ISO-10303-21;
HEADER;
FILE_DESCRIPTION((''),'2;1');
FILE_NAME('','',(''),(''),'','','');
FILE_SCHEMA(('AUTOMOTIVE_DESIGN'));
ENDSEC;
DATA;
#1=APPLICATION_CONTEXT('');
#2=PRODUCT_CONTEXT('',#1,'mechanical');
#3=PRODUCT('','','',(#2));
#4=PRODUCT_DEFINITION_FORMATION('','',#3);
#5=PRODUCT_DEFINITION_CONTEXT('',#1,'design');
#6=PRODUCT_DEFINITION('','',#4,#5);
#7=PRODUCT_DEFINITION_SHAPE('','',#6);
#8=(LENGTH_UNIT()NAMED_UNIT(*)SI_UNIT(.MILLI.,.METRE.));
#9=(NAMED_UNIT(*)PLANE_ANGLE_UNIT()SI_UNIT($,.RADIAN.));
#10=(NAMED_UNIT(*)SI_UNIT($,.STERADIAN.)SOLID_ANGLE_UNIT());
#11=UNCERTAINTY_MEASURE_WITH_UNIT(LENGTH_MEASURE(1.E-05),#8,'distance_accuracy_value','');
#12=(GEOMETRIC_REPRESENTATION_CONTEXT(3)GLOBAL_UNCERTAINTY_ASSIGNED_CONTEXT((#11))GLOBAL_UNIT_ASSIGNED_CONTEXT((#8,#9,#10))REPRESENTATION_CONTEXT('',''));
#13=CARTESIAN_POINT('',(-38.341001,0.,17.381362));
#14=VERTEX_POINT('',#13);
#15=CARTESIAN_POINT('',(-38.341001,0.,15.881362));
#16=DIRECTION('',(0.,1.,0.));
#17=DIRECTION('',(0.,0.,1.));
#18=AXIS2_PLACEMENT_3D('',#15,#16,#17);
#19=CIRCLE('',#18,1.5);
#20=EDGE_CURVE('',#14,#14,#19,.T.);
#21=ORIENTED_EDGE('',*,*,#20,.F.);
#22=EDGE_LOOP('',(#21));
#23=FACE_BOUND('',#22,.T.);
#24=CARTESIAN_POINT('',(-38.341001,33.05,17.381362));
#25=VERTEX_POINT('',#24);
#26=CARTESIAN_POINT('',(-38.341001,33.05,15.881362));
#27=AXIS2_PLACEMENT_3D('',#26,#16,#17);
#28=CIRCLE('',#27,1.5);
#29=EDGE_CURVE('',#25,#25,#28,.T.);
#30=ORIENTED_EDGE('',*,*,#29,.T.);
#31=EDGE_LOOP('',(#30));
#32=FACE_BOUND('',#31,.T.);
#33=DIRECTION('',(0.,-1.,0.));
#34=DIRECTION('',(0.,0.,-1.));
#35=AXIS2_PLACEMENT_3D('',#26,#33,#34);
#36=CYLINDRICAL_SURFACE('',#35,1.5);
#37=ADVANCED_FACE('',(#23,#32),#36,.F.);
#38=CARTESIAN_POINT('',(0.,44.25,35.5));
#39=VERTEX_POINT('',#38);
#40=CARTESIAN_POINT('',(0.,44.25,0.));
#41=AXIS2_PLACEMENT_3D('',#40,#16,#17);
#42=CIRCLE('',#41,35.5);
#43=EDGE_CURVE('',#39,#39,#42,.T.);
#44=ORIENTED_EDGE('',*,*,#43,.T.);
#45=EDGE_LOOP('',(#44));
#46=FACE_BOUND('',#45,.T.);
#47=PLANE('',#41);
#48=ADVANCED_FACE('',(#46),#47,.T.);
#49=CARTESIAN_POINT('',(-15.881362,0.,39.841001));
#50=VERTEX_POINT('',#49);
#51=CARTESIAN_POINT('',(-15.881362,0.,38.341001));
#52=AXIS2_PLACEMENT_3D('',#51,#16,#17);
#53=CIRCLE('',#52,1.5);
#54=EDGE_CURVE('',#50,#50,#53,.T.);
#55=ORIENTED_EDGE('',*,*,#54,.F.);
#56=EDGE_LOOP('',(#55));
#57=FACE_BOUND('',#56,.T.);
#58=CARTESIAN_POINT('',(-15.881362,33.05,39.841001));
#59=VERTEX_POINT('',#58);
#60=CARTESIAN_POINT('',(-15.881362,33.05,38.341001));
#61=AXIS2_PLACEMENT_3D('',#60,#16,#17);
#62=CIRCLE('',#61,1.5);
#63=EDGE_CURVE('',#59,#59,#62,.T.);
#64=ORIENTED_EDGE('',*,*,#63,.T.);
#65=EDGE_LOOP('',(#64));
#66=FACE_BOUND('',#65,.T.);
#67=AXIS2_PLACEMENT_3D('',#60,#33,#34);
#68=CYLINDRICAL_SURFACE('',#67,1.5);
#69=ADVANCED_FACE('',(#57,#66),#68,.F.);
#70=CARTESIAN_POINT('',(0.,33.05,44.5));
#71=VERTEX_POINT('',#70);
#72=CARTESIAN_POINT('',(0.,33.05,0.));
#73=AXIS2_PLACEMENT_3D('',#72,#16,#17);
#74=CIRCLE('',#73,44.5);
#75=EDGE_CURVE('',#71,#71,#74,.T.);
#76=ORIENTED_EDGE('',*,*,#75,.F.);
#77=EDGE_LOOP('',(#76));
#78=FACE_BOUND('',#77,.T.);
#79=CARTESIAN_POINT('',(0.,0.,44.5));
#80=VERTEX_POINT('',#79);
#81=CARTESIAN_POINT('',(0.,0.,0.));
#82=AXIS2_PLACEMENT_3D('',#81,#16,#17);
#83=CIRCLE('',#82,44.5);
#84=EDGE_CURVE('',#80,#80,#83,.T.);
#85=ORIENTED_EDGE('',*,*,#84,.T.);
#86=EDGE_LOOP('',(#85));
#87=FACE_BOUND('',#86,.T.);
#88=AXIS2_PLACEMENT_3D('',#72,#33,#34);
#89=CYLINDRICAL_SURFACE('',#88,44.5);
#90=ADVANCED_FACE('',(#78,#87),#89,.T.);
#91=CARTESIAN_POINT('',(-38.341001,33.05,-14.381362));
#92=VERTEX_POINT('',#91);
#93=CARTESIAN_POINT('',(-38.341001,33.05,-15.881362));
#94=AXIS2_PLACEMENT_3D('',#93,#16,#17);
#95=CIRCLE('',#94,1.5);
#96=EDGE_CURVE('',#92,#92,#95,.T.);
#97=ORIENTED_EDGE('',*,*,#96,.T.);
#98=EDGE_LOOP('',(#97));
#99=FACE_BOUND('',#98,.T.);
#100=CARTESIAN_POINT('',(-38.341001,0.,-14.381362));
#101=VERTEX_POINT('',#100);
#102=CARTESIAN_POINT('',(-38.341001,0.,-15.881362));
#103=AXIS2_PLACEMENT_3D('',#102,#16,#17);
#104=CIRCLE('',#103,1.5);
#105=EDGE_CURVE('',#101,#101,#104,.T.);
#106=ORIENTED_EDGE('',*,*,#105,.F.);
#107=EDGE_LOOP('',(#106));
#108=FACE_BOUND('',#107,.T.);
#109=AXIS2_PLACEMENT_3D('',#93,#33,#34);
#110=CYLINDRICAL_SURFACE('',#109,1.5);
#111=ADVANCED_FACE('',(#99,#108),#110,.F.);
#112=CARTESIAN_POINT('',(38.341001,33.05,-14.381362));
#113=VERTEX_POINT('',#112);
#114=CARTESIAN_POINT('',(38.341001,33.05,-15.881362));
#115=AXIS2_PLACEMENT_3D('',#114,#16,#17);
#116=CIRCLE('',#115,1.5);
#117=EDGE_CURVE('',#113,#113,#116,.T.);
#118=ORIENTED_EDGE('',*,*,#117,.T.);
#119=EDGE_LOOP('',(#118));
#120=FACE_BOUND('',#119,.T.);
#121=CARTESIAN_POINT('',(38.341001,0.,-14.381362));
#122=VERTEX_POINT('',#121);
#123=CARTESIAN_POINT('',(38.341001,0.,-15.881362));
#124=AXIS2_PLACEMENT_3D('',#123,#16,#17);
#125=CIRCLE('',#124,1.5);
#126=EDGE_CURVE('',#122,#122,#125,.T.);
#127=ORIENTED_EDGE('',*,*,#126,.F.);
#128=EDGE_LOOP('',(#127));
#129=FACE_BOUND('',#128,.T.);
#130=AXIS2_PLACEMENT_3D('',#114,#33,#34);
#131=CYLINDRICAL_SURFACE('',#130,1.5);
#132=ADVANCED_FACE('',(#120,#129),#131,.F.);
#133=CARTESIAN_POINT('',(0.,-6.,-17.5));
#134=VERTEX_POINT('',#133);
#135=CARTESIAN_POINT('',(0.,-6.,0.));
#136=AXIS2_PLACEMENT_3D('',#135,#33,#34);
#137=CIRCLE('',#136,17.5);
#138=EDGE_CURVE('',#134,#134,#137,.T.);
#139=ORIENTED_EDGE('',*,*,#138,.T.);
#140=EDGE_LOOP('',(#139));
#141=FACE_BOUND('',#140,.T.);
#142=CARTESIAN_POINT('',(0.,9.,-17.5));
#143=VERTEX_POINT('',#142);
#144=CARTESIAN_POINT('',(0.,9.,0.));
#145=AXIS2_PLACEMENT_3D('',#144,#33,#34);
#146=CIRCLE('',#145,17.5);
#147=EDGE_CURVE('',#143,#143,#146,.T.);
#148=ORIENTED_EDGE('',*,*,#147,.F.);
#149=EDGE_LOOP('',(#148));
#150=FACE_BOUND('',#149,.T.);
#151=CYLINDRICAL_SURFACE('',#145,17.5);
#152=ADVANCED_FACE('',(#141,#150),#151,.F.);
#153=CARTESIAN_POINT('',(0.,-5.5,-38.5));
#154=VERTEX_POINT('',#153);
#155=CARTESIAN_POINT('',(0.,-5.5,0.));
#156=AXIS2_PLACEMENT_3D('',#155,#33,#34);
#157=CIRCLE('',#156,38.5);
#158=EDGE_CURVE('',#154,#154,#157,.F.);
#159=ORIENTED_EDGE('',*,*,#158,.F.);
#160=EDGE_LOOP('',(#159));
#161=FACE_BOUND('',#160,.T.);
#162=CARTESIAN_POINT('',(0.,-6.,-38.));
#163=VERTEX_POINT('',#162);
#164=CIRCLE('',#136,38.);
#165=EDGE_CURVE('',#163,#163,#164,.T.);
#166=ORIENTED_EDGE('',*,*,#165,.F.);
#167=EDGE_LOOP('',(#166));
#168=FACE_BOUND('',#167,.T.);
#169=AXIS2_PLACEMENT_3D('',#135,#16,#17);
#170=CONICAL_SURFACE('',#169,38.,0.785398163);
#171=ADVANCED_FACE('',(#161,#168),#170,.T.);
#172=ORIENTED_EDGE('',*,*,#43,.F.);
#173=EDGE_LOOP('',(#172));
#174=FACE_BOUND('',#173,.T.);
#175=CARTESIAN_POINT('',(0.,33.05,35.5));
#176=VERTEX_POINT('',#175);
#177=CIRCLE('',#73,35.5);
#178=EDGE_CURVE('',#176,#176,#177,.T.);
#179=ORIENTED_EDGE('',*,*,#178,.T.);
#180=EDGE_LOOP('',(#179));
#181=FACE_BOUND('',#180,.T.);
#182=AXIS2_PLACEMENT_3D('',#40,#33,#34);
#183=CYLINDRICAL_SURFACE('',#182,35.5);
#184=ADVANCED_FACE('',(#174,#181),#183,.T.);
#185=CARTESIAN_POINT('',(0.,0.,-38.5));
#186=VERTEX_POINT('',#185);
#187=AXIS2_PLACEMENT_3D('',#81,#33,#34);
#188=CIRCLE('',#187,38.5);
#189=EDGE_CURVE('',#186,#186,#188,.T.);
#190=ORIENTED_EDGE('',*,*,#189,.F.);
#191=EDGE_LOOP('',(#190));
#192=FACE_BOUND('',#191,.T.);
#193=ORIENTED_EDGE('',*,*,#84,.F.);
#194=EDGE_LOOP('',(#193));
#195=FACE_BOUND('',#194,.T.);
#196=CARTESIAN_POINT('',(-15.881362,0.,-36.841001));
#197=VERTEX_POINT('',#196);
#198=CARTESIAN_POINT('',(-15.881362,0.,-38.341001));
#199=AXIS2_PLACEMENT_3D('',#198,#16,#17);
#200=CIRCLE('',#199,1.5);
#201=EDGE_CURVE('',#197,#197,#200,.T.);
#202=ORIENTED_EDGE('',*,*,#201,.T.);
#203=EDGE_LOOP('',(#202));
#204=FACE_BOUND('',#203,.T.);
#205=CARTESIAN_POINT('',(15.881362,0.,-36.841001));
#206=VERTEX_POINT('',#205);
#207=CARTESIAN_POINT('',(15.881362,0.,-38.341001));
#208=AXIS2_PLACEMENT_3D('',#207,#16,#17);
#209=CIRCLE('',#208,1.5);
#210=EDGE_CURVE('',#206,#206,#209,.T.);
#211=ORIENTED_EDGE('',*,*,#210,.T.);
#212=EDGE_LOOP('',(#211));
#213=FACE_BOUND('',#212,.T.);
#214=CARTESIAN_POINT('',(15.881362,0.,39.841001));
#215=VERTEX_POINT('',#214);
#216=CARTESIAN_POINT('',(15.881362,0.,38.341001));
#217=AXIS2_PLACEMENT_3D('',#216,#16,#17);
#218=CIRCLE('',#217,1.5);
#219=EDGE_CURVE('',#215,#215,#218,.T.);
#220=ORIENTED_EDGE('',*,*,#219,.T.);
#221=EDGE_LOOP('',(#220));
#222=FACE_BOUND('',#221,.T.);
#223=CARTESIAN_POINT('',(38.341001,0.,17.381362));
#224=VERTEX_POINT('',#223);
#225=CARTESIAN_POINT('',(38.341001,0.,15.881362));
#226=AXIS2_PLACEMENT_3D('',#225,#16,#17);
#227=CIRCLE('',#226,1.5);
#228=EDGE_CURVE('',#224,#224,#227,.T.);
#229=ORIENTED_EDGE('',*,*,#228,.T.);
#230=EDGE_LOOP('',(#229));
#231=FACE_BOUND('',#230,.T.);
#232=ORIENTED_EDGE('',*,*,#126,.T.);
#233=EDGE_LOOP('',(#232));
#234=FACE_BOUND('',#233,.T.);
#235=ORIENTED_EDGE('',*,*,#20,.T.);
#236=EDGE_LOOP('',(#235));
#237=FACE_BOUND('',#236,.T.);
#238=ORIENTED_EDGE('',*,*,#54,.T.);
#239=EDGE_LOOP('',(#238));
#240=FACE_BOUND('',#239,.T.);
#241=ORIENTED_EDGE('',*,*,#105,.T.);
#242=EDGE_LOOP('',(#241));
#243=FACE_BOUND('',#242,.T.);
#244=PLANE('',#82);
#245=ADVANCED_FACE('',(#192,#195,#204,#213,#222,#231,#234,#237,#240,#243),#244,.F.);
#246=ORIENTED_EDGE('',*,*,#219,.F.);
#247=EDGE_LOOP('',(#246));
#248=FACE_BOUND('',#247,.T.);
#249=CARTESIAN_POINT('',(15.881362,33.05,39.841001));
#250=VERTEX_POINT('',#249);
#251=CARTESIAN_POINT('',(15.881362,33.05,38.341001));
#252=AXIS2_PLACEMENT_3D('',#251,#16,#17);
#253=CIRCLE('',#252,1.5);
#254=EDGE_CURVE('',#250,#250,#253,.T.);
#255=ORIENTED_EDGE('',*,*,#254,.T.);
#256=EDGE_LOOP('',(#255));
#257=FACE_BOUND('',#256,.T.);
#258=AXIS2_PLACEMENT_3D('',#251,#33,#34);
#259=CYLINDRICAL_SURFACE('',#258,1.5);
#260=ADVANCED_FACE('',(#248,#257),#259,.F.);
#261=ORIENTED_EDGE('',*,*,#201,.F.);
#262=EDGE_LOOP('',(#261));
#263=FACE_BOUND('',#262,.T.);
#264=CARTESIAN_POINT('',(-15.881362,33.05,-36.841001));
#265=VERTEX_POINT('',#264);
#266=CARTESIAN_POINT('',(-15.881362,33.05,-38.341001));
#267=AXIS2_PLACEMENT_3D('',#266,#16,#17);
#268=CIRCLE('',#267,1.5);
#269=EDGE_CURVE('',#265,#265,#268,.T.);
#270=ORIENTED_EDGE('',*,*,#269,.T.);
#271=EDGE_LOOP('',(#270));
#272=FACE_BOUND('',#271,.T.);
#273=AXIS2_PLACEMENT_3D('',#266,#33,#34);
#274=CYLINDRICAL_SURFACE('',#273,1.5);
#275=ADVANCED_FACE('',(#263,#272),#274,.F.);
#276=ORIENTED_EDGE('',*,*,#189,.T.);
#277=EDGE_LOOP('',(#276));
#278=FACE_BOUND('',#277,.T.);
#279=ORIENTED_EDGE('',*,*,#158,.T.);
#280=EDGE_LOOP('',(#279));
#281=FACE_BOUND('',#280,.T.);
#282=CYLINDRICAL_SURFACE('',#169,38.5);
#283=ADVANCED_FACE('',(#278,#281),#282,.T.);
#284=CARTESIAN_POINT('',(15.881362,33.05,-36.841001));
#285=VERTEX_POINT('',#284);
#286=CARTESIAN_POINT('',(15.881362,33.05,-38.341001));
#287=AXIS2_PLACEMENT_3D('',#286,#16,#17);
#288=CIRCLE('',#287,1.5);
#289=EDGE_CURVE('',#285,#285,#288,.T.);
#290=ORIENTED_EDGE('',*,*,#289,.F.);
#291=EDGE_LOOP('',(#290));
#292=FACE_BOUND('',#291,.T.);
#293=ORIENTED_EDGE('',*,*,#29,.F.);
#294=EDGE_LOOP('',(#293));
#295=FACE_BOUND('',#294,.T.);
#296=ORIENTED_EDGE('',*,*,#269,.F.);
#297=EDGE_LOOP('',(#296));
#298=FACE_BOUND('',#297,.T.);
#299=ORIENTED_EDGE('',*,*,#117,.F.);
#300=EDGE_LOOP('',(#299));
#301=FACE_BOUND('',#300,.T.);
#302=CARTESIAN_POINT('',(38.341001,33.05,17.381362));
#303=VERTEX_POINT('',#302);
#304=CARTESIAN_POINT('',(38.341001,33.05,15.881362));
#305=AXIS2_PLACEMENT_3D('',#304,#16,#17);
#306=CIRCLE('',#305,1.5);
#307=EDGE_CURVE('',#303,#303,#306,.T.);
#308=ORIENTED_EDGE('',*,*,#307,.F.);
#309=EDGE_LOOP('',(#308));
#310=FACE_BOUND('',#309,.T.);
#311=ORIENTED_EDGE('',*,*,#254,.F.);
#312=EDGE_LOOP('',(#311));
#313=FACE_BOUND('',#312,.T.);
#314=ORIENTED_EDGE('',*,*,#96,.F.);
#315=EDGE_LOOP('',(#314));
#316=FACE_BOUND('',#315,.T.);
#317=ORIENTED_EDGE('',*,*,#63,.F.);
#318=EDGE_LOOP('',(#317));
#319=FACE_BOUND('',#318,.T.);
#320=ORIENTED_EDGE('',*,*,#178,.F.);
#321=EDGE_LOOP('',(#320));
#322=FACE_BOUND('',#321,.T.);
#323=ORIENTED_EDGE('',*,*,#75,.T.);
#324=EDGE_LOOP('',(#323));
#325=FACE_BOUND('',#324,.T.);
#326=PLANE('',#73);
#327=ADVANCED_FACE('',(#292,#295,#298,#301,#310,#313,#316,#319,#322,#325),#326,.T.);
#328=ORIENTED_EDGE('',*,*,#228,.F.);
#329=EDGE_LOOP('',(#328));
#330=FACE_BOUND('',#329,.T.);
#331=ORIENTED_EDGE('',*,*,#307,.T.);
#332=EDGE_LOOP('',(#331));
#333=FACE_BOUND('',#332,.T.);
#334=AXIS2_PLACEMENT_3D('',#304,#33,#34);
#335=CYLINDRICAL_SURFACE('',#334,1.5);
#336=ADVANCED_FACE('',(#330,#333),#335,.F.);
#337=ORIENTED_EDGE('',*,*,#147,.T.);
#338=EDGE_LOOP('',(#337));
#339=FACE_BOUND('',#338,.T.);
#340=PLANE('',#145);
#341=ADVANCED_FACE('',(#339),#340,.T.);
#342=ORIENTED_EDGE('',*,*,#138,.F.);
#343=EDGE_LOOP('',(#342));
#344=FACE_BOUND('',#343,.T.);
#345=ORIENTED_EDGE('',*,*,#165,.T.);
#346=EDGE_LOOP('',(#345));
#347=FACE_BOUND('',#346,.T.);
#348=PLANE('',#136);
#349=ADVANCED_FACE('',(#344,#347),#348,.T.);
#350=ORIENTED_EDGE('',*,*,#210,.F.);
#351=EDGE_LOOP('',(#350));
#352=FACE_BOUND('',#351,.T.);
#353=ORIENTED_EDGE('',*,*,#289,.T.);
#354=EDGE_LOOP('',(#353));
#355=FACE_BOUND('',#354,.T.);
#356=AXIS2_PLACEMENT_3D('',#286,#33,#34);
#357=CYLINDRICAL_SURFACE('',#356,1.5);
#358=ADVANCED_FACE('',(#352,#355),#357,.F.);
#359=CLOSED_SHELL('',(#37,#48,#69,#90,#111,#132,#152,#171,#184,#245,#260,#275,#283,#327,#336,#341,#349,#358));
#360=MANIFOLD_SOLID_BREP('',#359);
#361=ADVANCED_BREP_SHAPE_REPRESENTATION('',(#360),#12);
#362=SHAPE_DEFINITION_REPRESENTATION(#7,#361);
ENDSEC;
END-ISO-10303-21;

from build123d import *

# Parameters (mm, degrees)
SKETCH_1_R          = 44.5
SKETCH_1_R_2        = 1.5
EXTRUDE_1_DEPTH     = 33.05
SKETCH_2_R          = 35.5
EXTRUDE_2_DEPTH     = 11.2
SKETCH_3_R          = 38.5
EXTRUDE_3_DEPTH     = 6
CHAMFER_1_SIZE      = 0.5
SKETCH_5_R          = 17.5
CUT_EXTRUDE_1_DEPTH = 15


with BuildPart() as part:
    # Эскиз1 → Бобышка-Вытянуть1 (new body)
    with BuildSketch(Plane(origin=(0, 0, 0), x_dir=(1, 0, 0), z_dir=(0, 1, 0))):
        with Locations(Location((0, 0, 0), (0, 0, 270))):
            Circle(SKETCH_1_R)
        with Locations(Location((15.881362443, 38.341000599, 0), (0, 0, 270))):
            Circle(SKETCH_1_R_2, mode=Mode.SUBTRACT)
        with Locations(Location((38.341000599, 15.881362443, 0), (0, 0, 270))):
            Circle(SKETCH_1_R_2, mode=Mode.SUBTRACT)
        with Locations(Location((38.341000599, -15.881362443, 0), (0, 0, 270))):
            Circle(SKETCH_1_R_2, mode=Mode.SUBTRACT)
        with Locations(Location((15.881362443, -38.341000599, 0), (0, 0, 270))):
            Circle(SKETCH_1_R_2, mode=Mode.SUBTRACT)
        with Locations(Location((-15.881362443, -38.341000599, 0), (0, 0, 270))):
            Circle(SKETCH_1_R_2, mode=Mode.SUBTRACT)
        with Locations(Location((-38.341000599, -15.881362443, 0), (0, 0, 270))):
            Circle(SKETCH_1_R_2, mode=Mode.SUBTRACT)
        with Locations(Location((-38.341000599, 15.881362443, 0), (0, 0, 270))):
            Circle(SKETCH_1_R_2, mode=Mode.SUBTRACT)
        with Locations(Location((-15.881362443, 38.341000599, 0), (0, 0, 270))):
            Circle(SKETCH_1_R_2, mode=Mode.SUBTRACT)
    extrude(amount=EXTRUDE_1_DEPTH)

    # Эскиз2 → Бобышка-Вытянуть2 (add)
    with BuildSketch(Plane(origin=(0, 33.05, 0), x_dir=(1, 0, 0), z_dir=(0, 1, 0))):
        with Locations(Location((0, 0, 0), (0, 0, 270))):
            Circle(SKETCH_2_R)
    extrude(amount=EXTRUDE_2_DEPTH)

    # Эскиз3 → Бобышка-Вытянуть3 (add)
    with BuildSketch(Plane.XZ):
        with Locations(Location((0, 0, 0), (0, 0, 270))):
            Circle(SKETCH_3_R)
    extrude(amount=EXTRUDE_3_DEPTH)

    # Фаска1
    chamfer_1_edges = [part.edges().sort_by_distance(p)[0] for p in [
        (0, -6, 38.5),
    ]]
    chamfer(chamfer_1_edges, length=CHAMFER_1_SIZE)

    # Эскиз5 → Вырез-Вытянуть1 (cut)
    with BuildSketch(Plane.XZ.offset(6)):
        with Locations(Location((0, 0, 0), (0, 0, 270))):
            Circle(SKETCH_5_R)
    extrude(amount=-CUT_EXTRUDE_1_DEPTH, mode=Mode.SUBTRACT)


solid = part.part
